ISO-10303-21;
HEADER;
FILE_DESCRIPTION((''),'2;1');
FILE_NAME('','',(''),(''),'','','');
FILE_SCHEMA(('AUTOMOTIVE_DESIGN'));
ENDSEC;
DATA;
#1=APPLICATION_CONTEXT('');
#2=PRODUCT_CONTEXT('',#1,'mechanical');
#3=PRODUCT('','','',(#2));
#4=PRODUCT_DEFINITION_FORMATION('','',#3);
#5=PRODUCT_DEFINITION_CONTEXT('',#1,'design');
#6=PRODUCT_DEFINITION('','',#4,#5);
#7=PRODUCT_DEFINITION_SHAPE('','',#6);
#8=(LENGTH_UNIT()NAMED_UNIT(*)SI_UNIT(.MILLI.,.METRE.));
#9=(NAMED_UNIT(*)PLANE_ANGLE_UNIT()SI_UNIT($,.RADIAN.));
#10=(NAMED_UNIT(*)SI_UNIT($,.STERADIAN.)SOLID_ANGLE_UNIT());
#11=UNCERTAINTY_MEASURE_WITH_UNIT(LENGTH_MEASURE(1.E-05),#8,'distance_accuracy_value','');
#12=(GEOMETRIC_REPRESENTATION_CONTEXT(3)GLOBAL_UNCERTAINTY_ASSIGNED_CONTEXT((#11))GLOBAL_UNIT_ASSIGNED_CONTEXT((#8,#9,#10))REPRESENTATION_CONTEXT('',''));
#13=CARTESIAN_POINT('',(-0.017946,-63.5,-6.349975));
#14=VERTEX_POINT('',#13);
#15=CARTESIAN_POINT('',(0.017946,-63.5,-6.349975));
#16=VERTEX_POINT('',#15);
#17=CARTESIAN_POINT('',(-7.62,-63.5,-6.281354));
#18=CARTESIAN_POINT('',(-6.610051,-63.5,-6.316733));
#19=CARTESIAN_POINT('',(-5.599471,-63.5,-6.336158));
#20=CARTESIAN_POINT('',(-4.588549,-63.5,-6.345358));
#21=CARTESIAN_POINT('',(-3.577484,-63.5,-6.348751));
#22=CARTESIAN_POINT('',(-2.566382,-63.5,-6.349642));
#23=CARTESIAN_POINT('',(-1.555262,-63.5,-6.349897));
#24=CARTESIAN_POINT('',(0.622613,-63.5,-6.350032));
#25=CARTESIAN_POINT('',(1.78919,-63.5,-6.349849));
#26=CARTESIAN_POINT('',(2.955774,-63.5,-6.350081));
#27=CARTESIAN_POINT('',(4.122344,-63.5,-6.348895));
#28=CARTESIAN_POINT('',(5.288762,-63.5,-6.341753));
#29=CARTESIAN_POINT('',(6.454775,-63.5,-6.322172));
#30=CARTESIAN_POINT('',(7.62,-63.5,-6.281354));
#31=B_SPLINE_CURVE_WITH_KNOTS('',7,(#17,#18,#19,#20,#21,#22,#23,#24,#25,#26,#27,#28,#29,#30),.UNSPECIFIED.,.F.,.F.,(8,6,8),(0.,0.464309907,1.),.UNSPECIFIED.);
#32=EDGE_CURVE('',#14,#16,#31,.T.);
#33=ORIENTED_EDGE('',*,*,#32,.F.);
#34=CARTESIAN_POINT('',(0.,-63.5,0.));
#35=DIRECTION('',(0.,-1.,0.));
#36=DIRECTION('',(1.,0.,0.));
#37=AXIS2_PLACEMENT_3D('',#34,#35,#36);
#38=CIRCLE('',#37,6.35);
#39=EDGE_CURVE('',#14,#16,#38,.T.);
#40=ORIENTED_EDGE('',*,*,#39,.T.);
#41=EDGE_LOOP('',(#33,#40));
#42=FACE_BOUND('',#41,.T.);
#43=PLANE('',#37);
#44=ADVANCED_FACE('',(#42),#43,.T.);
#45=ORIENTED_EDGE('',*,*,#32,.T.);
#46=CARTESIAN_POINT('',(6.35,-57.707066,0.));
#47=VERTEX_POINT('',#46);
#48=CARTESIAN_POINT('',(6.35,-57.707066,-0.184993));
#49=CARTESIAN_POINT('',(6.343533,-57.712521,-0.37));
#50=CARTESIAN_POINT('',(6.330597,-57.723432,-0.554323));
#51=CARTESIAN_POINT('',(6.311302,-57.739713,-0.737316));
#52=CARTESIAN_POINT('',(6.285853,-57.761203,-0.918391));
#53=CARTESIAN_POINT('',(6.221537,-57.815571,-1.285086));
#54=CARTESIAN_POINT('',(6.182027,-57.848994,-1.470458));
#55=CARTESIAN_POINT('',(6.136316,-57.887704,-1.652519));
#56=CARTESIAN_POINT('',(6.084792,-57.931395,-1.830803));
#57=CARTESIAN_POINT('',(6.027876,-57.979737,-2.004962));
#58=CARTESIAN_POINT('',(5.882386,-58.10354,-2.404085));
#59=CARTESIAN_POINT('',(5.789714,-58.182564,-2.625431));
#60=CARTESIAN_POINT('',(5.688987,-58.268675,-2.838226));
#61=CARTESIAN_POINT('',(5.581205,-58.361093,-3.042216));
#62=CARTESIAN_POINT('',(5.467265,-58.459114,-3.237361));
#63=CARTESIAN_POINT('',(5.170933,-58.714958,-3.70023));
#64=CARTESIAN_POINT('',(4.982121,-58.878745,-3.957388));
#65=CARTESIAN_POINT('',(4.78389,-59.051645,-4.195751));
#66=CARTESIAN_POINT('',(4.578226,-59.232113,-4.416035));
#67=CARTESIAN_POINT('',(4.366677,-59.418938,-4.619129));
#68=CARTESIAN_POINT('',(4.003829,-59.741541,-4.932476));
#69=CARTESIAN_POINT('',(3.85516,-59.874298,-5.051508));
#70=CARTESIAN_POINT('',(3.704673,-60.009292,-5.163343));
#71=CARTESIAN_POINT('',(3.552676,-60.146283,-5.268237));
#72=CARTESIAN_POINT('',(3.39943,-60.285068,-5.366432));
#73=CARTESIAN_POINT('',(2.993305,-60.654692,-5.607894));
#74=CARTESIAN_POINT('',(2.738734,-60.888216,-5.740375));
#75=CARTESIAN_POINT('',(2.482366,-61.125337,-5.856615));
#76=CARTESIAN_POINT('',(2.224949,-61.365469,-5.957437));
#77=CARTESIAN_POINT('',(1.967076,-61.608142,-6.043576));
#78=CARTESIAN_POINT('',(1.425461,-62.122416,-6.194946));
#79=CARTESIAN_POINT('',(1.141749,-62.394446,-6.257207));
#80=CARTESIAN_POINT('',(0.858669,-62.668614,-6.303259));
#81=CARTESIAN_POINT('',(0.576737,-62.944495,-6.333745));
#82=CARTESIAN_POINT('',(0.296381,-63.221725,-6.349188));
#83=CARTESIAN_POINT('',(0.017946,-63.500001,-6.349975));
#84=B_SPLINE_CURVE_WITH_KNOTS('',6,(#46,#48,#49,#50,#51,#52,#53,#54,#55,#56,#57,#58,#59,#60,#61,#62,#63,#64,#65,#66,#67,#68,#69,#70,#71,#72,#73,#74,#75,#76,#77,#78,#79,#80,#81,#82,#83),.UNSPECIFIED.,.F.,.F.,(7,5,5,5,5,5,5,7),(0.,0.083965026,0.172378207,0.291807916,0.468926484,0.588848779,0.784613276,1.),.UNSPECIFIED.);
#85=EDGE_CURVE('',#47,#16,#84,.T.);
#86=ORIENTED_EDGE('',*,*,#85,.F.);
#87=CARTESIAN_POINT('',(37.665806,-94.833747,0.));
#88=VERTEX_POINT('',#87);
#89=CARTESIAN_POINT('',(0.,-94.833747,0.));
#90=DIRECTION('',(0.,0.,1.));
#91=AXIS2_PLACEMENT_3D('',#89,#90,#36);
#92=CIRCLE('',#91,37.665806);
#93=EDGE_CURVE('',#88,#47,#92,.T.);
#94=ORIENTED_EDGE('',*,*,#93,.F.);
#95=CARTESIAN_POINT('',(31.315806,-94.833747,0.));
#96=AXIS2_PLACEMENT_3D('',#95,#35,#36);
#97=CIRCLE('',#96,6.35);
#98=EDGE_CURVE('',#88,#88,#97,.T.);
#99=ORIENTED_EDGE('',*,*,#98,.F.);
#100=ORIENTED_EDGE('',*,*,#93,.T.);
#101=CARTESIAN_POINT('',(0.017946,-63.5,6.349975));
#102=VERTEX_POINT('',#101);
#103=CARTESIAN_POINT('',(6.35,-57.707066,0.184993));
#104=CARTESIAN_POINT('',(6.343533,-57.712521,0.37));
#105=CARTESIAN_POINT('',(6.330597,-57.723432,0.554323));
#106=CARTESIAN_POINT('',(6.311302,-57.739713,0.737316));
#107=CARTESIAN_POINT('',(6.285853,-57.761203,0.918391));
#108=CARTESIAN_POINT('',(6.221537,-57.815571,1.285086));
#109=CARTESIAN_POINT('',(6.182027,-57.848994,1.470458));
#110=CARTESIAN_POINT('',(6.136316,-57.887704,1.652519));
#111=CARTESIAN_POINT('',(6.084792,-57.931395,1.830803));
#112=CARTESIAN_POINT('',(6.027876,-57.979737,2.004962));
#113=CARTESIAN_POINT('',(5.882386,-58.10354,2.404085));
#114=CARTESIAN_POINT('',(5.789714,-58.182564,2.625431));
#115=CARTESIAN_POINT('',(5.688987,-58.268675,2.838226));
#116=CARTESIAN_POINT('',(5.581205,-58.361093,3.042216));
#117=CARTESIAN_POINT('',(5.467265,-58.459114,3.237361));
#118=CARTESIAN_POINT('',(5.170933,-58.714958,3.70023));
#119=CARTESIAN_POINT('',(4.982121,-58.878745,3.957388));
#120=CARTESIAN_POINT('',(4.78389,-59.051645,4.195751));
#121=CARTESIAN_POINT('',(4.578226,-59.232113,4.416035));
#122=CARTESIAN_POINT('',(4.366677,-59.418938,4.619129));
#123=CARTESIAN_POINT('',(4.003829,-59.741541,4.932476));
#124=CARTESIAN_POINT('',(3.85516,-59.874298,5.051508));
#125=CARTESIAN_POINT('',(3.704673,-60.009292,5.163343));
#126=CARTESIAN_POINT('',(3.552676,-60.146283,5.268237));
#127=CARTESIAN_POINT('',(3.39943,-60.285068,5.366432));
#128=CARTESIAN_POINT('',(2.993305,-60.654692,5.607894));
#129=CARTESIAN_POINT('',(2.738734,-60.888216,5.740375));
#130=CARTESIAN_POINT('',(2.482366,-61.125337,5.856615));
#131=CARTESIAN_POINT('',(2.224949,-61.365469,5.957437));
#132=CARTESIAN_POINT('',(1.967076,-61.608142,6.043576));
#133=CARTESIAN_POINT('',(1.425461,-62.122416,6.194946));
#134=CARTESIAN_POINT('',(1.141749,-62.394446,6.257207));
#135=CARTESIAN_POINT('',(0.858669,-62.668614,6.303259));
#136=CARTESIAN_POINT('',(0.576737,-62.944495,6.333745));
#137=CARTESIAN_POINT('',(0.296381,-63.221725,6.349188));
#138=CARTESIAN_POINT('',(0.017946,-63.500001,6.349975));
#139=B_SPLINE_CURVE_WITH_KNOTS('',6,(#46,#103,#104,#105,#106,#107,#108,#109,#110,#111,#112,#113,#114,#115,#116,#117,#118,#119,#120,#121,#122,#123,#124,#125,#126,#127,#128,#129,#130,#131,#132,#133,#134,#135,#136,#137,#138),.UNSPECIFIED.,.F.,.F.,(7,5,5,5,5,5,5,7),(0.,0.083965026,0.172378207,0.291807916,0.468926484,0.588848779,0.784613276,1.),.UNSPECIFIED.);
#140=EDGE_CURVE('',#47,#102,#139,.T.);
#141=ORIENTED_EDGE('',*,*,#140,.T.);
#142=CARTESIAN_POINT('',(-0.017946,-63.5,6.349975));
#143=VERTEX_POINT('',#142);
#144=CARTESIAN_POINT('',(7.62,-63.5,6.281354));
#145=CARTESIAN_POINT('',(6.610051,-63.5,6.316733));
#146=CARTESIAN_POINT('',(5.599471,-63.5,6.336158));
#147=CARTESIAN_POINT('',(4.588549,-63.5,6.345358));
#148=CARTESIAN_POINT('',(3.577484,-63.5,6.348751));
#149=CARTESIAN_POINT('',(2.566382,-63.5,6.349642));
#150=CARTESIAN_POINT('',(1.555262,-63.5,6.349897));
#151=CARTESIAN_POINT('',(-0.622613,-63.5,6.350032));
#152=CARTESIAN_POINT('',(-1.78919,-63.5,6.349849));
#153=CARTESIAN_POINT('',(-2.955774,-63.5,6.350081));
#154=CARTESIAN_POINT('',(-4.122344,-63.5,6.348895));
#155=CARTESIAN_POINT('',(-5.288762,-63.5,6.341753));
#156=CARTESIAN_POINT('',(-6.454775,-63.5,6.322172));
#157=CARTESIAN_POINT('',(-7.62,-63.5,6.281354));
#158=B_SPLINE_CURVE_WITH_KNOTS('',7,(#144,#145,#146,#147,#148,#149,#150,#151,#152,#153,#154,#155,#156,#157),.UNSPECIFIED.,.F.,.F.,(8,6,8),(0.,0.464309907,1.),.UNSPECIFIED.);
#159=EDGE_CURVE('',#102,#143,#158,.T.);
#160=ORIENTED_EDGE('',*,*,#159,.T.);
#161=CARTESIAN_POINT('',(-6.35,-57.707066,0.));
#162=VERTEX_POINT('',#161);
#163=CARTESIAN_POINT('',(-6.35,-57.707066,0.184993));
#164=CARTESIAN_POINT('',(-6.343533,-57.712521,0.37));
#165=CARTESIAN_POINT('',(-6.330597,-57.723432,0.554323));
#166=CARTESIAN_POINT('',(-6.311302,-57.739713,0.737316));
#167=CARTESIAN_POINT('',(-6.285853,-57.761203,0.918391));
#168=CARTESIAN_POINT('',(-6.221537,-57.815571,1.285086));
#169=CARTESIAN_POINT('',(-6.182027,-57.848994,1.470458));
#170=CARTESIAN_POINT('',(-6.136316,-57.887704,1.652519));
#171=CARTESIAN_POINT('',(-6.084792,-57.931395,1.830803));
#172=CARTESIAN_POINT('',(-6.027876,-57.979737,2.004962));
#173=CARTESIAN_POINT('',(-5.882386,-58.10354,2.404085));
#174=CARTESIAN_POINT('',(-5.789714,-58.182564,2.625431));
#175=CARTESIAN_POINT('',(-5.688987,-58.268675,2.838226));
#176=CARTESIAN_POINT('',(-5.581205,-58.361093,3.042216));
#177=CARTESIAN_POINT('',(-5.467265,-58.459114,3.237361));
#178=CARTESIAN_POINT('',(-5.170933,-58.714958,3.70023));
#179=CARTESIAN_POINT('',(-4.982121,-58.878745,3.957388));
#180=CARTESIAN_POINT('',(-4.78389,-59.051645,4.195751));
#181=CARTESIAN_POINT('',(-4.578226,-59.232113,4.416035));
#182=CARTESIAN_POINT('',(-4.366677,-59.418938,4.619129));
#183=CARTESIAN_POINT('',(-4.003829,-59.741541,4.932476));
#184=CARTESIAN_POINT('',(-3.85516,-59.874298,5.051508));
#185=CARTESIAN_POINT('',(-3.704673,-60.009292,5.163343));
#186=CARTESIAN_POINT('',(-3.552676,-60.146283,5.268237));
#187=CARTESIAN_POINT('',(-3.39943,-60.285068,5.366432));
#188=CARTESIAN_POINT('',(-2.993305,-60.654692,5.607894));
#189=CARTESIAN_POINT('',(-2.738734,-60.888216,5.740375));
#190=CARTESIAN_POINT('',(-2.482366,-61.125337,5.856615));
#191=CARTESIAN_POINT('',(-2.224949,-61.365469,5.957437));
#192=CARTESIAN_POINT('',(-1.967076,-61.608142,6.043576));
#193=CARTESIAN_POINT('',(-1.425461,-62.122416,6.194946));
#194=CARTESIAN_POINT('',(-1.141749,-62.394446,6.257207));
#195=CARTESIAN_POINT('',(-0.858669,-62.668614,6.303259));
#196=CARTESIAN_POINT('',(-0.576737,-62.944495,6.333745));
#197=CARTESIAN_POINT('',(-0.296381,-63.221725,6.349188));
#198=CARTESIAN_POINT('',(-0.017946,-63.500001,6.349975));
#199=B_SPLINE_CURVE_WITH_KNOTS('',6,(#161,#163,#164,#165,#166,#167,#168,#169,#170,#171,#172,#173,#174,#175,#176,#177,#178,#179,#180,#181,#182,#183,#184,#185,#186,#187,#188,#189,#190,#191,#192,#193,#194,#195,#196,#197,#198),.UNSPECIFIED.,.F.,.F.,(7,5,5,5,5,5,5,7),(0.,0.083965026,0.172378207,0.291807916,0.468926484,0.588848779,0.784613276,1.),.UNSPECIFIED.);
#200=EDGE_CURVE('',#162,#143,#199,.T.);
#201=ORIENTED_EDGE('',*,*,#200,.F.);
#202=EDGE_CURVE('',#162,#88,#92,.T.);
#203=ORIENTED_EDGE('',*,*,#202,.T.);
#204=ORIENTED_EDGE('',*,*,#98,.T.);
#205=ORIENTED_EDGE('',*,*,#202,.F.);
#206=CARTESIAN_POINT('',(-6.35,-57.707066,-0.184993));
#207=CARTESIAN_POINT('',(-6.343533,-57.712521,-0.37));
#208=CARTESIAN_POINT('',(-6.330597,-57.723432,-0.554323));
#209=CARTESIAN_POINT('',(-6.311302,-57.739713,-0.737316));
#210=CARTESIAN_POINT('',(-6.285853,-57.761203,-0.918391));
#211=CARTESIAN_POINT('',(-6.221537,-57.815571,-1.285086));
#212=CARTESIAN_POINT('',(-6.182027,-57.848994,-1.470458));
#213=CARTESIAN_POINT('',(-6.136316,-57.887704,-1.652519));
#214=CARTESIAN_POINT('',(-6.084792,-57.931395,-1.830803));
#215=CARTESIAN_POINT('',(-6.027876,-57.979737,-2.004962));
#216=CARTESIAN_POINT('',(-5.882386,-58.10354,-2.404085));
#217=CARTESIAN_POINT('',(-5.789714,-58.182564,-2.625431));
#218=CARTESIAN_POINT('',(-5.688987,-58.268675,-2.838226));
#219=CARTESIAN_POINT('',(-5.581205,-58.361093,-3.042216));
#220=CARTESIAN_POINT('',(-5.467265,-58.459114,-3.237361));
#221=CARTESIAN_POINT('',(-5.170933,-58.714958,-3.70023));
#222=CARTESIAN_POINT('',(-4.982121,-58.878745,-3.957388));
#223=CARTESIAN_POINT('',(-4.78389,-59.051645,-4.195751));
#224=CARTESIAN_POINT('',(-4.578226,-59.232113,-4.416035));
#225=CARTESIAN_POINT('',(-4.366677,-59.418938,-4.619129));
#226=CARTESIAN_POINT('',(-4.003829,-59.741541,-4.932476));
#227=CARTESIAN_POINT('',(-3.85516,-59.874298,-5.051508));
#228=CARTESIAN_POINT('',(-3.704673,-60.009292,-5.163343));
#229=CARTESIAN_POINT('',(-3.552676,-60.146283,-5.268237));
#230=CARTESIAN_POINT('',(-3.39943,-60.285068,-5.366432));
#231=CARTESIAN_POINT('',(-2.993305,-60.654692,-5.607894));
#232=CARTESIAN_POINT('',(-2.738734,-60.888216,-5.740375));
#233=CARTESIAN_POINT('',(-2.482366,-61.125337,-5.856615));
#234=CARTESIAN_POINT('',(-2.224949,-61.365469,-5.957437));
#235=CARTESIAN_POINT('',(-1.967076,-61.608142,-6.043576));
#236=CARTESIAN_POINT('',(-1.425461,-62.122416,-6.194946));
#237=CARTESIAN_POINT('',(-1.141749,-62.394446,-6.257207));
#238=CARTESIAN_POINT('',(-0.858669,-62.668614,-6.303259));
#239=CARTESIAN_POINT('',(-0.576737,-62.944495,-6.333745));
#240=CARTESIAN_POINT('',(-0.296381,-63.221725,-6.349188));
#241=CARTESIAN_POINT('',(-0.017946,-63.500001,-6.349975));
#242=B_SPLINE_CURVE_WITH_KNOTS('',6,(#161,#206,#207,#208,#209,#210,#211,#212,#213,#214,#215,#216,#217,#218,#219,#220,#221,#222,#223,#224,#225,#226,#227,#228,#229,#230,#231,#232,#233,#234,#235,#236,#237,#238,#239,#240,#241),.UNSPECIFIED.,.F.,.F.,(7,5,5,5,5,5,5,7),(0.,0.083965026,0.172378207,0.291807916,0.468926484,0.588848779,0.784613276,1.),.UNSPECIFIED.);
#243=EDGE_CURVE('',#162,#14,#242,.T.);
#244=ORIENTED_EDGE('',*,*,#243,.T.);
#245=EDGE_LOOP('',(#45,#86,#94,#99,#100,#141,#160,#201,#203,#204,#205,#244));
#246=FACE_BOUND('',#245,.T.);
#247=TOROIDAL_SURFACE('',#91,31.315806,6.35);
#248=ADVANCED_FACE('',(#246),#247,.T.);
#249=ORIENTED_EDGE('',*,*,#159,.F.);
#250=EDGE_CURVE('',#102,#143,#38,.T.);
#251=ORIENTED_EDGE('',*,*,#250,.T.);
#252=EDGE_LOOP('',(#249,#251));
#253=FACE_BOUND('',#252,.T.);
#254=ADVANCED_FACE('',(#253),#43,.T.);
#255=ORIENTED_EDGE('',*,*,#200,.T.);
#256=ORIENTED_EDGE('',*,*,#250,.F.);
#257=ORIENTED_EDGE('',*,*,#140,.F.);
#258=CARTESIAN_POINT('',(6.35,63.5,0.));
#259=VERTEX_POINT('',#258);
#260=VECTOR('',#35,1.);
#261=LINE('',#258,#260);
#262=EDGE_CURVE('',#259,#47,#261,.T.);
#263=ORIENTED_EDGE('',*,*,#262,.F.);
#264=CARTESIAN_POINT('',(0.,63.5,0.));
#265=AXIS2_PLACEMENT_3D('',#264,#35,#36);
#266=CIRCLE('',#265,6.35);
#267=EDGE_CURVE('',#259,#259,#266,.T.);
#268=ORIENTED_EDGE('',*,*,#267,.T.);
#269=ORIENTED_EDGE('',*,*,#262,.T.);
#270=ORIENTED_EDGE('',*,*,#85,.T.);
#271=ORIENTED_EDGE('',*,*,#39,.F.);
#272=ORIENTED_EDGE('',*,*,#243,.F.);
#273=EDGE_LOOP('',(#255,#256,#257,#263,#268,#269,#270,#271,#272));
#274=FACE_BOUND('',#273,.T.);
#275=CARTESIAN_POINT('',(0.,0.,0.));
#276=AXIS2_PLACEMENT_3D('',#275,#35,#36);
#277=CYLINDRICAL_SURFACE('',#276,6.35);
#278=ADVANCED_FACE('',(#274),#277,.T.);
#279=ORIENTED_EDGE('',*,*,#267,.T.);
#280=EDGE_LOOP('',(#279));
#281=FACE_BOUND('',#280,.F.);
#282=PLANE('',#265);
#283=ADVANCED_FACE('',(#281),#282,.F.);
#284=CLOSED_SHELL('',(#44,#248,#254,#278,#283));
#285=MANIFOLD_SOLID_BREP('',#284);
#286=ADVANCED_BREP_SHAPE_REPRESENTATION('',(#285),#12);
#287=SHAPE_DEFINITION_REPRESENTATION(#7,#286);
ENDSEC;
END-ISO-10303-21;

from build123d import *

# Parameters (mm, degrees)
F0_R     = 6.35
F1_DEPTH = 63.5
F3_R     = 6.35


with BuildPart() as f1:
    # F0 (on Front) → F1 (new body, symmetric)
    with BuildSketch(Plane.XZ):
        Circle(F0_R)
    extrude(amount=F1_DEPTH, both=True)

    # F4: sweep along a path in F2
    with BuildLine(Plane.XY) as f4_path:
        CenterArc((0, -94.833747), 31.315806, 0, 360)
    # F3 (on Right) → F4 (sweep)
    with BuildSketch(Plane.YZ):
        with Locations((-63.517941, 0)):
            Circle(F3_R)
    sweep(path=f4_path.line)


solid = f1.part
